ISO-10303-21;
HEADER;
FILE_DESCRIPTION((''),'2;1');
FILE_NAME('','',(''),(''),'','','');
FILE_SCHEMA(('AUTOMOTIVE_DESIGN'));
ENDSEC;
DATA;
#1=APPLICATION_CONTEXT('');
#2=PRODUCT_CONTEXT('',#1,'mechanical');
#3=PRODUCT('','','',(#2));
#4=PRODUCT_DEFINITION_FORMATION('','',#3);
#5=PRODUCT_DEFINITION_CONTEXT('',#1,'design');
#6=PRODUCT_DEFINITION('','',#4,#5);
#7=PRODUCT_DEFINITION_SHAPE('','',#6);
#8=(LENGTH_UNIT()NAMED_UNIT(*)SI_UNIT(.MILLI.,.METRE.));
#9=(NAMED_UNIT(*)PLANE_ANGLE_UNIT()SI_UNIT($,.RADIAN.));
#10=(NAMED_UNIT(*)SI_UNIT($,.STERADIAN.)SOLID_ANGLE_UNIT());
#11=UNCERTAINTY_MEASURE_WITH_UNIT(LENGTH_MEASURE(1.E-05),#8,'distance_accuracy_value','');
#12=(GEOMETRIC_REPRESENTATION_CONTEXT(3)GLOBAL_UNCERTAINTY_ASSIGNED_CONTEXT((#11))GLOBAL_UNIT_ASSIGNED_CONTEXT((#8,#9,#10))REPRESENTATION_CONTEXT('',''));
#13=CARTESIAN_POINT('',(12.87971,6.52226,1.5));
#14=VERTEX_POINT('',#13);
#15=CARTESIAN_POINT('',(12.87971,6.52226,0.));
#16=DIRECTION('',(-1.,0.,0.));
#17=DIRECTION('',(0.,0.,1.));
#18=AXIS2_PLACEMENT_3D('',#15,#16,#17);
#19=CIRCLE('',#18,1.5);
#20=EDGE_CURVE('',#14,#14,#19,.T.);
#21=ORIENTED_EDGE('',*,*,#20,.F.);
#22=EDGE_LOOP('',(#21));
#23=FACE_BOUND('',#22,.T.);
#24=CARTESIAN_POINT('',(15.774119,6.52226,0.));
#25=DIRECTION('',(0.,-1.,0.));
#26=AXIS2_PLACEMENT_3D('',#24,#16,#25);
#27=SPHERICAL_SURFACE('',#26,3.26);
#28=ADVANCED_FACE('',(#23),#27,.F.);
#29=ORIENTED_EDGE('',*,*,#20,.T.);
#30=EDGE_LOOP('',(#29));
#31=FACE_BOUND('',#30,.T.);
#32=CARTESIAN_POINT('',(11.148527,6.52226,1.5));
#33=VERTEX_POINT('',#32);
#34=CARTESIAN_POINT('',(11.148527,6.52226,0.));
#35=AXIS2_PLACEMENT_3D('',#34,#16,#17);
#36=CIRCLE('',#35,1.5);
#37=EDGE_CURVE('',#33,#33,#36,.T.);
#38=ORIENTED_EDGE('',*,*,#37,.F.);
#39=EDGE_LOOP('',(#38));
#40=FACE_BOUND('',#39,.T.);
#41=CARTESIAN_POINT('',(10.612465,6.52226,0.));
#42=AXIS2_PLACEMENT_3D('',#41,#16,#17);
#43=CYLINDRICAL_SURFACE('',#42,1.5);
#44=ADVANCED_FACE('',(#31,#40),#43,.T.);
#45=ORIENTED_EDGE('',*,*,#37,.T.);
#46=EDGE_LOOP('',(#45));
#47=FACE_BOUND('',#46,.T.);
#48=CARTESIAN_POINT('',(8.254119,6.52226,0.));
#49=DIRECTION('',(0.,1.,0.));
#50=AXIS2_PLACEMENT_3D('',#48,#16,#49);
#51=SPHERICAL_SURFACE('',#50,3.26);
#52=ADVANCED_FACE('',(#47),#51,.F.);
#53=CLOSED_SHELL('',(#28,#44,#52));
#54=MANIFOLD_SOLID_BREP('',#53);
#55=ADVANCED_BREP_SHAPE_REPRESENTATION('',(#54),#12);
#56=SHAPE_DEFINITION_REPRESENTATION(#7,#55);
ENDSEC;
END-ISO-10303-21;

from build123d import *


with BuildPart() as part:
    # 草图1 → 旋转1 (revolve)
    with BuildSketch(Plane.XY, mode=Mode.PRIVATE) as revolve_1_sk:
        with BuildLine():
            Line((11.514118604, 6.522260287), (12.514118604, 6.522260287))
            ThreePointArc((12.514118604, 6.522260287), (12.606834957, 7.294215146), (12.879710201, 8.022260287))
            Line((12.879710201, 8.022260287), (12.014118604, 8.022260287))
            Line((12.014118604, 8.022260287), (11.148527006, 8.022260287))
            ThreePointArc((11.148527006, 8.022260287), (11.42140225, 7.294215146), (11.514118604, 6.522260287))
        make_face()
    revolve(revolve_1_sk.sketch.rotate(Axis((10.612465279, 6.522260287, 0), (1, 0, 0)), 90), axis=Axis((10.612465279, 6.522260287, 0), (1, 0, 0)))  # turned: the seam where the file's is


solid = part.part
